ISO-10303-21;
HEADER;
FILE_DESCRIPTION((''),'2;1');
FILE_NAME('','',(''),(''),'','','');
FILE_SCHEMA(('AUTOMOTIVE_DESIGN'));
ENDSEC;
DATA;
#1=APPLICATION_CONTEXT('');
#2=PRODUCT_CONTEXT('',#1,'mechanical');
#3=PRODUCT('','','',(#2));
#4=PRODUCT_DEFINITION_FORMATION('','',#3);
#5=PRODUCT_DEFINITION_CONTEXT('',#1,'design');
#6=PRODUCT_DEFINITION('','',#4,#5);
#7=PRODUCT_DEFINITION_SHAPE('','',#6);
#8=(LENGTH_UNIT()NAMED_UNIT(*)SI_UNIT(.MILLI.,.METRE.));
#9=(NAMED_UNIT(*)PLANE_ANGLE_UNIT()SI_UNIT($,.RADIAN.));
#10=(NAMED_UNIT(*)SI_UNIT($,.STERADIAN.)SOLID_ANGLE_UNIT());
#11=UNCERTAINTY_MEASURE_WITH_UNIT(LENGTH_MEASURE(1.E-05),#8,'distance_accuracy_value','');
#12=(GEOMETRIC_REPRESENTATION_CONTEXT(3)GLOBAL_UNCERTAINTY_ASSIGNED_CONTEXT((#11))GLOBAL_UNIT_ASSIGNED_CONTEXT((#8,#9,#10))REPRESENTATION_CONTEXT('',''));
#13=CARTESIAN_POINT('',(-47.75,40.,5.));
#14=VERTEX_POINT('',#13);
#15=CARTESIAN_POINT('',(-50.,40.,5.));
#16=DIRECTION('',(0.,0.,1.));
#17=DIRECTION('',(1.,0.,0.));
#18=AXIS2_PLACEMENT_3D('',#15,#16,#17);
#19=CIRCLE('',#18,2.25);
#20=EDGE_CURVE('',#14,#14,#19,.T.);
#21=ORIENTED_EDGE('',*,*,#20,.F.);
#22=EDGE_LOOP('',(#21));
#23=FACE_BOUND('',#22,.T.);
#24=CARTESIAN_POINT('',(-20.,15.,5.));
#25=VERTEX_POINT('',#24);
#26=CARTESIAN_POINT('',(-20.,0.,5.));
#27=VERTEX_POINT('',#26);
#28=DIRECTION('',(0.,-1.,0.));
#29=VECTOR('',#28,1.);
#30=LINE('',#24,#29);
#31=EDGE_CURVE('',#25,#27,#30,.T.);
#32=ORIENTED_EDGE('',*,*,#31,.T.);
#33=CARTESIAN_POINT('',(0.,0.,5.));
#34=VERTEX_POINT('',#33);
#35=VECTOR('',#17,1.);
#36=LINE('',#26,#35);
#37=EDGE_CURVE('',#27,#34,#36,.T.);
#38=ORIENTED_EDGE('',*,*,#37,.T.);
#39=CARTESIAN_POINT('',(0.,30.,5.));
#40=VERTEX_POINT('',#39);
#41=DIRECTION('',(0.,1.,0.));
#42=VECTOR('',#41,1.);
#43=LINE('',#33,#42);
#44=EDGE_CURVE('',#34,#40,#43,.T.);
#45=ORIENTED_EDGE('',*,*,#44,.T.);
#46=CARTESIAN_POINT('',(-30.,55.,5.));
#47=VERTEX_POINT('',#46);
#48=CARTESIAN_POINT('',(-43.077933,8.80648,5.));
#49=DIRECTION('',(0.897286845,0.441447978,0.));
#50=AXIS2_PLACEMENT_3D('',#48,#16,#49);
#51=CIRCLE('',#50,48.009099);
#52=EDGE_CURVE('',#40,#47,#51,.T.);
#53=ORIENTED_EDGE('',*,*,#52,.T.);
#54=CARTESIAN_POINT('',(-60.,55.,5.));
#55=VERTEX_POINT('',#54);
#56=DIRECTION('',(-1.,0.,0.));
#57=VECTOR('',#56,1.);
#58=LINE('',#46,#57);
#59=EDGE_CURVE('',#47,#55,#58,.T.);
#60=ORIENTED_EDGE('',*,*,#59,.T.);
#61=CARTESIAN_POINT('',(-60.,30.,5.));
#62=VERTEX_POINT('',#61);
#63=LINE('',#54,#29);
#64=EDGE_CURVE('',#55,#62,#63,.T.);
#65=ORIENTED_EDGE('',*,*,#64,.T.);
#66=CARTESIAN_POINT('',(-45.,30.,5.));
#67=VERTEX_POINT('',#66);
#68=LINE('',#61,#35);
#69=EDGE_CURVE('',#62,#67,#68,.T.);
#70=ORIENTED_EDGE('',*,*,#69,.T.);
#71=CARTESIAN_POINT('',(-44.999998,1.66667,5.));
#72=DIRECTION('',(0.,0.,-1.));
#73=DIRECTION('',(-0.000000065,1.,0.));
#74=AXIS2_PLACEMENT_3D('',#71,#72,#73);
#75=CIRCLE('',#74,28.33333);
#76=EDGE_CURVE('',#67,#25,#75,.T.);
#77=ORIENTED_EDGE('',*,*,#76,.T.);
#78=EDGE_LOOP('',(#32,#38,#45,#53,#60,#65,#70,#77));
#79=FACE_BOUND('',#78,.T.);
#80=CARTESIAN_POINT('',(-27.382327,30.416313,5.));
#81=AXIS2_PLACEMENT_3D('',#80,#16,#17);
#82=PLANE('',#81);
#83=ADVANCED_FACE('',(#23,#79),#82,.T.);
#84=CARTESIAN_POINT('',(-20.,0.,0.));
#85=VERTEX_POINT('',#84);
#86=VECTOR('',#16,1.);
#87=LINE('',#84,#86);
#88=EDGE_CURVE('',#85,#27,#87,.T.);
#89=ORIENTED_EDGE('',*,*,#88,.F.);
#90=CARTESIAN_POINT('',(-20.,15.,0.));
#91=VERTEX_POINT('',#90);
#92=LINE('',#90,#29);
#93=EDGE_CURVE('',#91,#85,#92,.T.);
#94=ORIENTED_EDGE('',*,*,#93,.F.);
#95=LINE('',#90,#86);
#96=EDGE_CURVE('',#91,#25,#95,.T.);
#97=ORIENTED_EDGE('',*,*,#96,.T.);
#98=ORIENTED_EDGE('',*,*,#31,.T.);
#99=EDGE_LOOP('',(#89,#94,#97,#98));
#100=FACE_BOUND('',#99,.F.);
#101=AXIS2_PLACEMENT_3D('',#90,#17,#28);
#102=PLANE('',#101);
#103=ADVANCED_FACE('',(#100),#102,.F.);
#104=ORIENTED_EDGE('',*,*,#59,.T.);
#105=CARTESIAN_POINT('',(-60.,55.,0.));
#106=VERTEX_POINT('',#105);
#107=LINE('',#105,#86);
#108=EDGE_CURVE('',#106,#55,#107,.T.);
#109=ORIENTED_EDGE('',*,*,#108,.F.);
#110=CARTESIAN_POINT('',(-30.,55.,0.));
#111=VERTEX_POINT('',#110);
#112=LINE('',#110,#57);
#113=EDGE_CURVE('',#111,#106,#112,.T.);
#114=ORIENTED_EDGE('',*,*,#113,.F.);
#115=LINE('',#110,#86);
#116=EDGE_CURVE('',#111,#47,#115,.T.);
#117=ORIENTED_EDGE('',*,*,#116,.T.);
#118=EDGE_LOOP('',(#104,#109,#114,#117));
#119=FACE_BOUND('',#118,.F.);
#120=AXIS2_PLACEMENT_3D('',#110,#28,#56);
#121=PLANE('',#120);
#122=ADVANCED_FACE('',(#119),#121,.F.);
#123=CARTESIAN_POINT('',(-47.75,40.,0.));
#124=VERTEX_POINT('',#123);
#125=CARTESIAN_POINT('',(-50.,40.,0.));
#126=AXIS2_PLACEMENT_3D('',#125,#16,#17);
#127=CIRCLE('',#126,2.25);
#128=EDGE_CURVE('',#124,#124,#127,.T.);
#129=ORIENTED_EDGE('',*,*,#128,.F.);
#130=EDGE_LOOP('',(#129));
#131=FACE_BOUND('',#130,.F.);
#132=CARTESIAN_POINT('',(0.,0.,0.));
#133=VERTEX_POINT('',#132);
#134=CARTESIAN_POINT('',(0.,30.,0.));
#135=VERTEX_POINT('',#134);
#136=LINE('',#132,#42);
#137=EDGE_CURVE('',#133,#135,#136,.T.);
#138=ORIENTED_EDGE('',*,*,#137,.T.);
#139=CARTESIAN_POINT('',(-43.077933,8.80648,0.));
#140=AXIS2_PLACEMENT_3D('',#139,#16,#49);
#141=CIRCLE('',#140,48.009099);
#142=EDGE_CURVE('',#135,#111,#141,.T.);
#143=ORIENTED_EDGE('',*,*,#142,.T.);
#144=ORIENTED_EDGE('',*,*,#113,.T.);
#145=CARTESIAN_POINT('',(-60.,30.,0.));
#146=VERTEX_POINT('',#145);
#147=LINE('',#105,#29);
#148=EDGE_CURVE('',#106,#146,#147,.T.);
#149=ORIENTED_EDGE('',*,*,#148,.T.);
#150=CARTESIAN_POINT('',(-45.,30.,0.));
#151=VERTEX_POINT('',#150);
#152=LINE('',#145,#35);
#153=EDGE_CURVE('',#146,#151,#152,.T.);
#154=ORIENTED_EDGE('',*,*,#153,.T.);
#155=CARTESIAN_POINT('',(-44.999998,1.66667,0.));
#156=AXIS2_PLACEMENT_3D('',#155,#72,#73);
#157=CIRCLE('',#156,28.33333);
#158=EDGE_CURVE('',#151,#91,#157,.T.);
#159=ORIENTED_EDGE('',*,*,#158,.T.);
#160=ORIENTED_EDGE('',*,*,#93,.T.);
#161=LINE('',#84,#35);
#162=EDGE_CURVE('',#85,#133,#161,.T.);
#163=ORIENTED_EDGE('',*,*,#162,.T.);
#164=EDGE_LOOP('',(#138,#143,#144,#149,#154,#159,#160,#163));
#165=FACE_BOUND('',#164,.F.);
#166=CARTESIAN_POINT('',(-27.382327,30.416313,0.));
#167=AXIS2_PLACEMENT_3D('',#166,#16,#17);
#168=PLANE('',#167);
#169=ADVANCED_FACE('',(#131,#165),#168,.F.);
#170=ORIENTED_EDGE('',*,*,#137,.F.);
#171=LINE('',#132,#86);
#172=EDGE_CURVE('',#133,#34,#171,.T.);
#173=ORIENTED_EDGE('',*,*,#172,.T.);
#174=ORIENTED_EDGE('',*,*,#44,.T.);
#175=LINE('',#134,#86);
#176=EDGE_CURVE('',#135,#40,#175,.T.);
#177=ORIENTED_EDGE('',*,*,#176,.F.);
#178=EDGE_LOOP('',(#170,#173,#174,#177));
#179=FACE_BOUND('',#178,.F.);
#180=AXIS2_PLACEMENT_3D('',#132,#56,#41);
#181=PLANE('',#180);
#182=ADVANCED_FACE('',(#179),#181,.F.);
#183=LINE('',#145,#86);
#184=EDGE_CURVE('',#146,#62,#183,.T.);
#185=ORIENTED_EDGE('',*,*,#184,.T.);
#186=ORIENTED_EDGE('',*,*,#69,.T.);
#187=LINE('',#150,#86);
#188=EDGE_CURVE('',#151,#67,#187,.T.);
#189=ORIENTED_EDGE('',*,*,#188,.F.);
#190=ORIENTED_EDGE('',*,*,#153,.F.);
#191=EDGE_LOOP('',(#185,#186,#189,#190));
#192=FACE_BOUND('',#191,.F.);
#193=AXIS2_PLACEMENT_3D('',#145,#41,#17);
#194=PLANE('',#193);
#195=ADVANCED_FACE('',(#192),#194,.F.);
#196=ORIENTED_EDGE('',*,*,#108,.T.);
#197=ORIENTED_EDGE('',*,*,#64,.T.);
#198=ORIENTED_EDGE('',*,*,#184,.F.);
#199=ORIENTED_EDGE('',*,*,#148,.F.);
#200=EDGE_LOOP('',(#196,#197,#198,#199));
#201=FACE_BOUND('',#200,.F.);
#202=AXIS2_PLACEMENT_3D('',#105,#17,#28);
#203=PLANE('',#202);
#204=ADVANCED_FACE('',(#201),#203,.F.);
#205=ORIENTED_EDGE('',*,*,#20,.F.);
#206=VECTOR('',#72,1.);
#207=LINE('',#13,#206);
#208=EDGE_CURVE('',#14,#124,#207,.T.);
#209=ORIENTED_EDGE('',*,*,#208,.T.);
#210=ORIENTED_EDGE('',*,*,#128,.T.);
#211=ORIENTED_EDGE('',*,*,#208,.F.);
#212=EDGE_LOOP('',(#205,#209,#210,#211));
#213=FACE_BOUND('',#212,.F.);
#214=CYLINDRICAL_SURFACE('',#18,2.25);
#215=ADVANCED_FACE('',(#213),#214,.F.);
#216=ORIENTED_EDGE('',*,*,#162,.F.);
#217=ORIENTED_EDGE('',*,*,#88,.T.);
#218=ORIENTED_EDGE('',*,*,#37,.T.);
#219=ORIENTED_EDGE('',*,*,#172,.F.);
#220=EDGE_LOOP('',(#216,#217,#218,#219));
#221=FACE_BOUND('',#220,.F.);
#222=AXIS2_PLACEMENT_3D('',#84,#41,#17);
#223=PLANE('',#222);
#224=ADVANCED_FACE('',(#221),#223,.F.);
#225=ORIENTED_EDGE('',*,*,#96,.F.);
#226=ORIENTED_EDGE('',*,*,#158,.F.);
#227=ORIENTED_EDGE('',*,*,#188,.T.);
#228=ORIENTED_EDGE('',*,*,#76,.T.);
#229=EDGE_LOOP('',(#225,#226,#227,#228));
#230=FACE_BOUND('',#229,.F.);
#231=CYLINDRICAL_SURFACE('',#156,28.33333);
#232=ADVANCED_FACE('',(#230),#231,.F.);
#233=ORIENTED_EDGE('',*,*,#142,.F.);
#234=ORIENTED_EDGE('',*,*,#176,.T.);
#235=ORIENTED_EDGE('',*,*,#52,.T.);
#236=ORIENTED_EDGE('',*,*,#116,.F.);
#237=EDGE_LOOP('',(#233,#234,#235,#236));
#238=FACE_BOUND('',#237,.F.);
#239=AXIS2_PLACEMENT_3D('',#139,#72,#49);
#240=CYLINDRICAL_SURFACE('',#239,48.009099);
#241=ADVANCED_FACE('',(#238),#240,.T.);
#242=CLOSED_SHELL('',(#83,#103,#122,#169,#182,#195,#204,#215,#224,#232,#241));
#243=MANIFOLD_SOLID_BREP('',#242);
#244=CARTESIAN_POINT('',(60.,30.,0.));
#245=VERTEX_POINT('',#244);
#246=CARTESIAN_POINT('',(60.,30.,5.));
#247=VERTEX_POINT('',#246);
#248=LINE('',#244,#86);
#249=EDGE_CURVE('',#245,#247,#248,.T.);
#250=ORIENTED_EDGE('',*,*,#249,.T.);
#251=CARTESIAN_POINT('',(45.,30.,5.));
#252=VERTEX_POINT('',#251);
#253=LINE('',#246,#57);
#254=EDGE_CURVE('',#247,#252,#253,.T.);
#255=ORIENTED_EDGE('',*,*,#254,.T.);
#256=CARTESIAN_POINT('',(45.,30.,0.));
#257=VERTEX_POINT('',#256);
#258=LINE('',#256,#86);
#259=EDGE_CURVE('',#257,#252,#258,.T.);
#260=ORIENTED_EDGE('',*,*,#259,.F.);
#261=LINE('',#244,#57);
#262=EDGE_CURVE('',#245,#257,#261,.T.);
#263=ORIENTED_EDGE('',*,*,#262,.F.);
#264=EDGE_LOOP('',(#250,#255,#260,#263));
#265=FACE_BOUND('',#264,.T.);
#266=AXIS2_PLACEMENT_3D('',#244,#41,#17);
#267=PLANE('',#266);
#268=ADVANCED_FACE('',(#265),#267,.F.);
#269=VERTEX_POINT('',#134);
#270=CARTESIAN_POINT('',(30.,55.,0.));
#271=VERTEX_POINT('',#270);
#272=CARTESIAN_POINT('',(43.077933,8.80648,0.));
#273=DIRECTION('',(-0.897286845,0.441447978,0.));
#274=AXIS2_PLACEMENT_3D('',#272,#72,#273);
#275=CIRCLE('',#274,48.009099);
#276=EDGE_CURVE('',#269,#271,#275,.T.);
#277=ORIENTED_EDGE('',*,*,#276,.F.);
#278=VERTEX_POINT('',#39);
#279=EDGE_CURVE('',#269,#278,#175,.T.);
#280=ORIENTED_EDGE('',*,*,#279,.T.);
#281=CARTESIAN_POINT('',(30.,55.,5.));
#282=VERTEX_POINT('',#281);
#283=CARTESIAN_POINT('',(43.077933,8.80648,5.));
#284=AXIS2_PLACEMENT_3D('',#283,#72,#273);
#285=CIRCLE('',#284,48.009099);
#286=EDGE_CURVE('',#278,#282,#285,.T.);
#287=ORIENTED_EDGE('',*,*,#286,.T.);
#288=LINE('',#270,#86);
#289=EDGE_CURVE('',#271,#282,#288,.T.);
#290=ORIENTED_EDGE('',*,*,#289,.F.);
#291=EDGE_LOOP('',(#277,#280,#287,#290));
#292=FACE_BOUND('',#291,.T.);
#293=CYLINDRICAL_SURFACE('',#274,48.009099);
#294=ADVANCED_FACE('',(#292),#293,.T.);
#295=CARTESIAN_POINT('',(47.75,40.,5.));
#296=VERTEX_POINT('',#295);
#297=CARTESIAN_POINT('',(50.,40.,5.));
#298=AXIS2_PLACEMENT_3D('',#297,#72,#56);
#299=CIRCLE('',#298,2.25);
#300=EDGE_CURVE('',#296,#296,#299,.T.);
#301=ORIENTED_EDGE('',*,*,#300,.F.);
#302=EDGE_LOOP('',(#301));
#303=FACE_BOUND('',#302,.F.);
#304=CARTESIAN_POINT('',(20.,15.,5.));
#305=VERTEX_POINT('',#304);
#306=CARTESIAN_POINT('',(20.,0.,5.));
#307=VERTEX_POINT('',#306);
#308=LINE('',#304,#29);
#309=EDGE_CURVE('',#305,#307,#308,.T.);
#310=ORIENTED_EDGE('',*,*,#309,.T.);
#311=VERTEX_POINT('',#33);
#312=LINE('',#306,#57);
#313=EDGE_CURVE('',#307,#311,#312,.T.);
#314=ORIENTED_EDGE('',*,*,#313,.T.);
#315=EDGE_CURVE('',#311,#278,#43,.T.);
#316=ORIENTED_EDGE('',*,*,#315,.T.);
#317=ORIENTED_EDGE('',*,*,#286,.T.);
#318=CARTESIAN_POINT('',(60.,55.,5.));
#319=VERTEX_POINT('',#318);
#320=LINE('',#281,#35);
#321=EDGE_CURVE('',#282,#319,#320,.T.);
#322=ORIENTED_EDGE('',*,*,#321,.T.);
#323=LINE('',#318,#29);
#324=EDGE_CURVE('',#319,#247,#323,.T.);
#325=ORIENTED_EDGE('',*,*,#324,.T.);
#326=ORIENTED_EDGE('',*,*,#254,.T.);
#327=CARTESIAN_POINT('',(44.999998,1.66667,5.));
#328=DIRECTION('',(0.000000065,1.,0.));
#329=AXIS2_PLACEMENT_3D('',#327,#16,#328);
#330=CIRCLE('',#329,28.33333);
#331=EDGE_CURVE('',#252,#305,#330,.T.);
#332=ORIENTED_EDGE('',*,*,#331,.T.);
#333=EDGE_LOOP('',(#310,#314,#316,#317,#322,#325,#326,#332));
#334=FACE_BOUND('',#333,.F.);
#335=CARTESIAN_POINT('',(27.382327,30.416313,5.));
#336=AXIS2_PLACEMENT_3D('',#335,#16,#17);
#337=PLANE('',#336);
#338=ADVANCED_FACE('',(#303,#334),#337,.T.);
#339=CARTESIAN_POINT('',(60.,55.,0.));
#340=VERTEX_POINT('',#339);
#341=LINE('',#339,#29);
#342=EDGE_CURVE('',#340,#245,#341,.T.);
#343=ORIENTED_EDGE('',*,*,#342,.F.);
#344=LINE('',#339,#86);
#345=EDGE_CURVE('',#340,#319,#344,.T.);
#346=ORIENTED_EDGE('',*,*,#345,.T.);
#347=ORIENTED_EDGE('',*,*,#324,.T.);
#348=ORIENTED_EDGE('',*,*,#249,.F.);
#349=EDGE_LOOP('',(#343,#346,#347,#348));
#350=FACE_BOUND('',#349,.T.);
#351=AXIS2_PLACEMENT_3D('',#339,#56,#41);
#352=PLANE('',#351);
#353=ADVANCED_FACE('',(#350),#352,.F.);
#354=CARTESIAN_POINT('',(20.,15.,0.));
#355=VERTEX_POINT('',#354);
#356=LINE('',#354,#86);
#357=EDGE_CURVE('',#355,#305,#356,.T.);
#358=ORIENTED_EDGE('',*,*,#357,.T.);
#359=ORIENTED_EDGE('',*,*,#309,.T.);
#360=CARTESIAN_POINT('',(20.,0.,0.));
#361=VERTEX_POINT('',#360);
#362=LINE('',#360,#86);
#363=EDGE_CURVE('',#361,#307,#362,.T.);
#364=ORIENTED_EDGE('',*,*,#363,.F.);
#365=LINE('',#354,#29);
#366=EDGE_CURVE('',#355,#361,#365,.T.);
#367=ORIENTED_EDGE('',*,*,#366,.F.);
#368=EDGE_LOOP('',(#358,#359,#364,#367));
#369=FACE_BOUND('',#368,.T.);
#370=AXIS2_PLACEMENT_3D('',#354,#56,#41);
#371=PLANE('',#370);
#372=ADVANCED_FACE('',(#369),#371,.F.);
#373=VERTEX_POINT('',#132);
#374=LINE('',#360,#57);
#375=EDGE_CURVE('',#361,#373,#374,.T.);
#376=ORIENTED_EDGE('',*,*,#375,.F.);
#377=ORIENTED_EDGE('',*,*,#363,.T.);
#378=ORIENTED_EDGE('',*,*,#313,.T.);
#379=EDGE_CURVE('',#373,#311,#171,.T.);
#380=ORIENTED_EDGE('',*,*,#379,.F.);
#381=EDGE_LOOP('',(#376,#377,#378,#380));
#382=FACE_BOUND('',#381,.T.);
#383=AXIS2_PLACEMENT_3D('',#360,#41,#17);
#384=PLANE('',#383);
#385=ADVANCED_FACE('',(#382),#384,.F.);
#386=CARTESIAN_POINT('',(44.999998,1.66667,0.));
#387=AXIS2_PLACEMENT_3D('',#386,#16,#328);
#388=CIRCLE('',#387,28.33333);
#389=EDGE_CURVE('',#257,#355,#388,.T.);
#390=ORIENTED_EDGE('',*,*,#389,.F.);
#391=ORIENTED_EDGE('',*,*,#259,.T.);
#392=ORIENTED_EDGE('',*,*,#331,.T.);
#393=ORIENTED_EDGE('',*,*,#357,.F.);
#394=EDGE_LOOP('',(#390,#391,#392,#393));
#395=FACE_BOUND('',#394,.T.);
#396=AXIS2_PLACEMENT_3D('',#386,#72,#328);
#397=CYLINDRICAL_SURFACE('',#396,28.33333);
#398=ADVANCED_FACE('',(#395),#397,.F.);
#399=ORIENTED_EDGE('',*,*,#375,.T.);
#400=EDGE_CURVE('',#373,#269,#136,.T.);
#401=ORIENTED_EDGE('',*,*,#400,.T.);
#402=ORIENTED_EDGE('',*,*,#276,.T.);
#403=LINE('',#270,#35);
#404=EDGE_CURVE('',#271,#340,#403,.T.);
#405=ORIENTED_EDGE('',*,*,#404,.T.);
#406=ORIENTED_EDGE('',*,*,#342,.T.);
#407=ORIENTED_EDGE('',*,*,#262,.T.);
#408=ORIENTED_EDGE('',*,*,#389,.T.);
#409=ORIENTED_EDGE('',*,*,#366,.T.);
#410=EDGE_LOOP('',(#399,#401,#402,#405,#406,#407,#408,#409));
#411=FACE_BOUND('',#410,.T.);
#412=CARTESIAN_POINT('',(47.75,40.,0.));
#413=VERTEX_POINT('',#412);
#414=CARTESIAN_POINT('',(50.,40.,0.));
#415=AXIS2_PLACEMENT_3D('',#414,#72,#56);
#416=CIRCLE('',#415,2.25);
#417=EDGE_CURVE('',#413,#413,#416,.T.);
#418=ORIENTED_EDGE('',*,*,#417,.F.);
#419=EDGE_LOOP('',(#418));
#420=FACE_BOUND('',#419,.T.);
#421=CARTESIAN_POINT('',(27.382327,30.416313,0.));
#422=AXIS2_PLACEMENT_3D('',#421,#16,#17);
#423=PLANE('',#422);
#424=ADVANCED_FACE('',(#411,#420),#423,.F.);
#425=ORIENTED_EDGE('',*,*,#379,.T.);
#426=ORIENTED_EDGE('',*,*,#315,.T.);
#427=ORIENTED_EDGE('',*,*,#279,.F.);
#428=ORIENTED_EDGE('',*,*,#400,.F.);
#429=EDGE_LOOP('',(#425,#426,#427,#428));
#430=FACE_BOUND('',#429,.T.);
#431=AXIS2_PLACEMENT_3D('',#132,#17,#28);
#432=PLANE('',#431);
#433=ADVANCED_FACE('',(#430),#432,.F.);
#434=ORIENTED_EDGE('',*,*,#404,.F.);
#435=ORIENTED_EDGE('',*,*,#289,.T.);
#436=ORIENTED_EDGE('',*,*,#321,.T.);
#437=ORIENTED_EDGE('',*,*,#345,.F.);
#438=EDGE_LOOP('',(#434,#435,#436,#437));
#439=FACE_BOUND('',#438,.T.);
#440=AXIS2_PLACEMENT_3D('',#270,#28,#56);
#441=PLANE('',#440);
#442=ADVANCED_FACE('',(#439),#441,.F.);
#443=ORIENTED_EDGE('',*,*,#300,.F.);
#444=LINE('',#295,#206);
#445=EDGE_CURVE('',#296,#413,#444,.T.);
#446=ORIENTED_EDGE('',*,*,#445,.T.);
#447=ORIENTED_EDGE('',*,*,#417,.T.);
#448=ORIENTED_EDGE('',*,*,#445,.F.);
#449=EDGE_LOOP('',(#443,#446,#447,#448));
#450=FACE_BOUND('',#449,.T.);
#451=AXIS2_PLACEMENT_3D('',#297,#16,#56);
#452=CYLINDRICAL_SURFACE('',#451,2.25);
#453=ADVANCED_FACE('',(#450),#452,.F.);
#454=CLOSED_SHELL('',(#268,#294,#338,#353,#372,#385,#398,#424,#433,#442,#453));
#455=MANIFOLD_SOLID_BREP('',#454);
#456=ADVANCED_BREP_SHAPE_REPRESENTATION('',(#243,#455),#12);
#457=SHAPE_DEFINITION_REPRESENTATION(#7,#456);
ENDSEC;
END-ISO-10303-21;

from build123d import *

# Parameters (mm, degrees)
F1_DEPTH = 5
F2_R     = 2.25
F3_DEPTH = 5.001


with BuildPart() as f1:
    # F0 (on Top) → F1 (new body)
    with BuildSketch(Plane.XY):
        with BuildLine():
            Line((-20, 0), (0, 0))
            Line((0, 0), (0, 30))
            ThreePointArc((0, 30), (-12.343257, 45.688092), (-30, 55))
            Line((-30, 55), (-60, 55))
            Line((-60, 55), (-60, 30))
            Line((-60, 30), (-45, 30))
            ThreePointArc((-45, 30), (-30.42262, 25.9623), (-20, 15))
            Line((-20, 15), (-20, 0))
        make_face()
    extrude(amount=F1_DEPTH)

    # F2 (on face) → F3 (cut, through all)
    with BuildSketch(Plane.XY.offset(5)):
        with Locations((-50, 40)):
            Circle(F2_R)
    extrude(amount=-F3_DEPTH, mode=Mode.SUBTRACT)


with BuildPart() as f4_1:
    # F4: instance of F1
    add(f1.part.mirror(Plane.YZ))


solid = Compound([f1.part, f4_1.part])
